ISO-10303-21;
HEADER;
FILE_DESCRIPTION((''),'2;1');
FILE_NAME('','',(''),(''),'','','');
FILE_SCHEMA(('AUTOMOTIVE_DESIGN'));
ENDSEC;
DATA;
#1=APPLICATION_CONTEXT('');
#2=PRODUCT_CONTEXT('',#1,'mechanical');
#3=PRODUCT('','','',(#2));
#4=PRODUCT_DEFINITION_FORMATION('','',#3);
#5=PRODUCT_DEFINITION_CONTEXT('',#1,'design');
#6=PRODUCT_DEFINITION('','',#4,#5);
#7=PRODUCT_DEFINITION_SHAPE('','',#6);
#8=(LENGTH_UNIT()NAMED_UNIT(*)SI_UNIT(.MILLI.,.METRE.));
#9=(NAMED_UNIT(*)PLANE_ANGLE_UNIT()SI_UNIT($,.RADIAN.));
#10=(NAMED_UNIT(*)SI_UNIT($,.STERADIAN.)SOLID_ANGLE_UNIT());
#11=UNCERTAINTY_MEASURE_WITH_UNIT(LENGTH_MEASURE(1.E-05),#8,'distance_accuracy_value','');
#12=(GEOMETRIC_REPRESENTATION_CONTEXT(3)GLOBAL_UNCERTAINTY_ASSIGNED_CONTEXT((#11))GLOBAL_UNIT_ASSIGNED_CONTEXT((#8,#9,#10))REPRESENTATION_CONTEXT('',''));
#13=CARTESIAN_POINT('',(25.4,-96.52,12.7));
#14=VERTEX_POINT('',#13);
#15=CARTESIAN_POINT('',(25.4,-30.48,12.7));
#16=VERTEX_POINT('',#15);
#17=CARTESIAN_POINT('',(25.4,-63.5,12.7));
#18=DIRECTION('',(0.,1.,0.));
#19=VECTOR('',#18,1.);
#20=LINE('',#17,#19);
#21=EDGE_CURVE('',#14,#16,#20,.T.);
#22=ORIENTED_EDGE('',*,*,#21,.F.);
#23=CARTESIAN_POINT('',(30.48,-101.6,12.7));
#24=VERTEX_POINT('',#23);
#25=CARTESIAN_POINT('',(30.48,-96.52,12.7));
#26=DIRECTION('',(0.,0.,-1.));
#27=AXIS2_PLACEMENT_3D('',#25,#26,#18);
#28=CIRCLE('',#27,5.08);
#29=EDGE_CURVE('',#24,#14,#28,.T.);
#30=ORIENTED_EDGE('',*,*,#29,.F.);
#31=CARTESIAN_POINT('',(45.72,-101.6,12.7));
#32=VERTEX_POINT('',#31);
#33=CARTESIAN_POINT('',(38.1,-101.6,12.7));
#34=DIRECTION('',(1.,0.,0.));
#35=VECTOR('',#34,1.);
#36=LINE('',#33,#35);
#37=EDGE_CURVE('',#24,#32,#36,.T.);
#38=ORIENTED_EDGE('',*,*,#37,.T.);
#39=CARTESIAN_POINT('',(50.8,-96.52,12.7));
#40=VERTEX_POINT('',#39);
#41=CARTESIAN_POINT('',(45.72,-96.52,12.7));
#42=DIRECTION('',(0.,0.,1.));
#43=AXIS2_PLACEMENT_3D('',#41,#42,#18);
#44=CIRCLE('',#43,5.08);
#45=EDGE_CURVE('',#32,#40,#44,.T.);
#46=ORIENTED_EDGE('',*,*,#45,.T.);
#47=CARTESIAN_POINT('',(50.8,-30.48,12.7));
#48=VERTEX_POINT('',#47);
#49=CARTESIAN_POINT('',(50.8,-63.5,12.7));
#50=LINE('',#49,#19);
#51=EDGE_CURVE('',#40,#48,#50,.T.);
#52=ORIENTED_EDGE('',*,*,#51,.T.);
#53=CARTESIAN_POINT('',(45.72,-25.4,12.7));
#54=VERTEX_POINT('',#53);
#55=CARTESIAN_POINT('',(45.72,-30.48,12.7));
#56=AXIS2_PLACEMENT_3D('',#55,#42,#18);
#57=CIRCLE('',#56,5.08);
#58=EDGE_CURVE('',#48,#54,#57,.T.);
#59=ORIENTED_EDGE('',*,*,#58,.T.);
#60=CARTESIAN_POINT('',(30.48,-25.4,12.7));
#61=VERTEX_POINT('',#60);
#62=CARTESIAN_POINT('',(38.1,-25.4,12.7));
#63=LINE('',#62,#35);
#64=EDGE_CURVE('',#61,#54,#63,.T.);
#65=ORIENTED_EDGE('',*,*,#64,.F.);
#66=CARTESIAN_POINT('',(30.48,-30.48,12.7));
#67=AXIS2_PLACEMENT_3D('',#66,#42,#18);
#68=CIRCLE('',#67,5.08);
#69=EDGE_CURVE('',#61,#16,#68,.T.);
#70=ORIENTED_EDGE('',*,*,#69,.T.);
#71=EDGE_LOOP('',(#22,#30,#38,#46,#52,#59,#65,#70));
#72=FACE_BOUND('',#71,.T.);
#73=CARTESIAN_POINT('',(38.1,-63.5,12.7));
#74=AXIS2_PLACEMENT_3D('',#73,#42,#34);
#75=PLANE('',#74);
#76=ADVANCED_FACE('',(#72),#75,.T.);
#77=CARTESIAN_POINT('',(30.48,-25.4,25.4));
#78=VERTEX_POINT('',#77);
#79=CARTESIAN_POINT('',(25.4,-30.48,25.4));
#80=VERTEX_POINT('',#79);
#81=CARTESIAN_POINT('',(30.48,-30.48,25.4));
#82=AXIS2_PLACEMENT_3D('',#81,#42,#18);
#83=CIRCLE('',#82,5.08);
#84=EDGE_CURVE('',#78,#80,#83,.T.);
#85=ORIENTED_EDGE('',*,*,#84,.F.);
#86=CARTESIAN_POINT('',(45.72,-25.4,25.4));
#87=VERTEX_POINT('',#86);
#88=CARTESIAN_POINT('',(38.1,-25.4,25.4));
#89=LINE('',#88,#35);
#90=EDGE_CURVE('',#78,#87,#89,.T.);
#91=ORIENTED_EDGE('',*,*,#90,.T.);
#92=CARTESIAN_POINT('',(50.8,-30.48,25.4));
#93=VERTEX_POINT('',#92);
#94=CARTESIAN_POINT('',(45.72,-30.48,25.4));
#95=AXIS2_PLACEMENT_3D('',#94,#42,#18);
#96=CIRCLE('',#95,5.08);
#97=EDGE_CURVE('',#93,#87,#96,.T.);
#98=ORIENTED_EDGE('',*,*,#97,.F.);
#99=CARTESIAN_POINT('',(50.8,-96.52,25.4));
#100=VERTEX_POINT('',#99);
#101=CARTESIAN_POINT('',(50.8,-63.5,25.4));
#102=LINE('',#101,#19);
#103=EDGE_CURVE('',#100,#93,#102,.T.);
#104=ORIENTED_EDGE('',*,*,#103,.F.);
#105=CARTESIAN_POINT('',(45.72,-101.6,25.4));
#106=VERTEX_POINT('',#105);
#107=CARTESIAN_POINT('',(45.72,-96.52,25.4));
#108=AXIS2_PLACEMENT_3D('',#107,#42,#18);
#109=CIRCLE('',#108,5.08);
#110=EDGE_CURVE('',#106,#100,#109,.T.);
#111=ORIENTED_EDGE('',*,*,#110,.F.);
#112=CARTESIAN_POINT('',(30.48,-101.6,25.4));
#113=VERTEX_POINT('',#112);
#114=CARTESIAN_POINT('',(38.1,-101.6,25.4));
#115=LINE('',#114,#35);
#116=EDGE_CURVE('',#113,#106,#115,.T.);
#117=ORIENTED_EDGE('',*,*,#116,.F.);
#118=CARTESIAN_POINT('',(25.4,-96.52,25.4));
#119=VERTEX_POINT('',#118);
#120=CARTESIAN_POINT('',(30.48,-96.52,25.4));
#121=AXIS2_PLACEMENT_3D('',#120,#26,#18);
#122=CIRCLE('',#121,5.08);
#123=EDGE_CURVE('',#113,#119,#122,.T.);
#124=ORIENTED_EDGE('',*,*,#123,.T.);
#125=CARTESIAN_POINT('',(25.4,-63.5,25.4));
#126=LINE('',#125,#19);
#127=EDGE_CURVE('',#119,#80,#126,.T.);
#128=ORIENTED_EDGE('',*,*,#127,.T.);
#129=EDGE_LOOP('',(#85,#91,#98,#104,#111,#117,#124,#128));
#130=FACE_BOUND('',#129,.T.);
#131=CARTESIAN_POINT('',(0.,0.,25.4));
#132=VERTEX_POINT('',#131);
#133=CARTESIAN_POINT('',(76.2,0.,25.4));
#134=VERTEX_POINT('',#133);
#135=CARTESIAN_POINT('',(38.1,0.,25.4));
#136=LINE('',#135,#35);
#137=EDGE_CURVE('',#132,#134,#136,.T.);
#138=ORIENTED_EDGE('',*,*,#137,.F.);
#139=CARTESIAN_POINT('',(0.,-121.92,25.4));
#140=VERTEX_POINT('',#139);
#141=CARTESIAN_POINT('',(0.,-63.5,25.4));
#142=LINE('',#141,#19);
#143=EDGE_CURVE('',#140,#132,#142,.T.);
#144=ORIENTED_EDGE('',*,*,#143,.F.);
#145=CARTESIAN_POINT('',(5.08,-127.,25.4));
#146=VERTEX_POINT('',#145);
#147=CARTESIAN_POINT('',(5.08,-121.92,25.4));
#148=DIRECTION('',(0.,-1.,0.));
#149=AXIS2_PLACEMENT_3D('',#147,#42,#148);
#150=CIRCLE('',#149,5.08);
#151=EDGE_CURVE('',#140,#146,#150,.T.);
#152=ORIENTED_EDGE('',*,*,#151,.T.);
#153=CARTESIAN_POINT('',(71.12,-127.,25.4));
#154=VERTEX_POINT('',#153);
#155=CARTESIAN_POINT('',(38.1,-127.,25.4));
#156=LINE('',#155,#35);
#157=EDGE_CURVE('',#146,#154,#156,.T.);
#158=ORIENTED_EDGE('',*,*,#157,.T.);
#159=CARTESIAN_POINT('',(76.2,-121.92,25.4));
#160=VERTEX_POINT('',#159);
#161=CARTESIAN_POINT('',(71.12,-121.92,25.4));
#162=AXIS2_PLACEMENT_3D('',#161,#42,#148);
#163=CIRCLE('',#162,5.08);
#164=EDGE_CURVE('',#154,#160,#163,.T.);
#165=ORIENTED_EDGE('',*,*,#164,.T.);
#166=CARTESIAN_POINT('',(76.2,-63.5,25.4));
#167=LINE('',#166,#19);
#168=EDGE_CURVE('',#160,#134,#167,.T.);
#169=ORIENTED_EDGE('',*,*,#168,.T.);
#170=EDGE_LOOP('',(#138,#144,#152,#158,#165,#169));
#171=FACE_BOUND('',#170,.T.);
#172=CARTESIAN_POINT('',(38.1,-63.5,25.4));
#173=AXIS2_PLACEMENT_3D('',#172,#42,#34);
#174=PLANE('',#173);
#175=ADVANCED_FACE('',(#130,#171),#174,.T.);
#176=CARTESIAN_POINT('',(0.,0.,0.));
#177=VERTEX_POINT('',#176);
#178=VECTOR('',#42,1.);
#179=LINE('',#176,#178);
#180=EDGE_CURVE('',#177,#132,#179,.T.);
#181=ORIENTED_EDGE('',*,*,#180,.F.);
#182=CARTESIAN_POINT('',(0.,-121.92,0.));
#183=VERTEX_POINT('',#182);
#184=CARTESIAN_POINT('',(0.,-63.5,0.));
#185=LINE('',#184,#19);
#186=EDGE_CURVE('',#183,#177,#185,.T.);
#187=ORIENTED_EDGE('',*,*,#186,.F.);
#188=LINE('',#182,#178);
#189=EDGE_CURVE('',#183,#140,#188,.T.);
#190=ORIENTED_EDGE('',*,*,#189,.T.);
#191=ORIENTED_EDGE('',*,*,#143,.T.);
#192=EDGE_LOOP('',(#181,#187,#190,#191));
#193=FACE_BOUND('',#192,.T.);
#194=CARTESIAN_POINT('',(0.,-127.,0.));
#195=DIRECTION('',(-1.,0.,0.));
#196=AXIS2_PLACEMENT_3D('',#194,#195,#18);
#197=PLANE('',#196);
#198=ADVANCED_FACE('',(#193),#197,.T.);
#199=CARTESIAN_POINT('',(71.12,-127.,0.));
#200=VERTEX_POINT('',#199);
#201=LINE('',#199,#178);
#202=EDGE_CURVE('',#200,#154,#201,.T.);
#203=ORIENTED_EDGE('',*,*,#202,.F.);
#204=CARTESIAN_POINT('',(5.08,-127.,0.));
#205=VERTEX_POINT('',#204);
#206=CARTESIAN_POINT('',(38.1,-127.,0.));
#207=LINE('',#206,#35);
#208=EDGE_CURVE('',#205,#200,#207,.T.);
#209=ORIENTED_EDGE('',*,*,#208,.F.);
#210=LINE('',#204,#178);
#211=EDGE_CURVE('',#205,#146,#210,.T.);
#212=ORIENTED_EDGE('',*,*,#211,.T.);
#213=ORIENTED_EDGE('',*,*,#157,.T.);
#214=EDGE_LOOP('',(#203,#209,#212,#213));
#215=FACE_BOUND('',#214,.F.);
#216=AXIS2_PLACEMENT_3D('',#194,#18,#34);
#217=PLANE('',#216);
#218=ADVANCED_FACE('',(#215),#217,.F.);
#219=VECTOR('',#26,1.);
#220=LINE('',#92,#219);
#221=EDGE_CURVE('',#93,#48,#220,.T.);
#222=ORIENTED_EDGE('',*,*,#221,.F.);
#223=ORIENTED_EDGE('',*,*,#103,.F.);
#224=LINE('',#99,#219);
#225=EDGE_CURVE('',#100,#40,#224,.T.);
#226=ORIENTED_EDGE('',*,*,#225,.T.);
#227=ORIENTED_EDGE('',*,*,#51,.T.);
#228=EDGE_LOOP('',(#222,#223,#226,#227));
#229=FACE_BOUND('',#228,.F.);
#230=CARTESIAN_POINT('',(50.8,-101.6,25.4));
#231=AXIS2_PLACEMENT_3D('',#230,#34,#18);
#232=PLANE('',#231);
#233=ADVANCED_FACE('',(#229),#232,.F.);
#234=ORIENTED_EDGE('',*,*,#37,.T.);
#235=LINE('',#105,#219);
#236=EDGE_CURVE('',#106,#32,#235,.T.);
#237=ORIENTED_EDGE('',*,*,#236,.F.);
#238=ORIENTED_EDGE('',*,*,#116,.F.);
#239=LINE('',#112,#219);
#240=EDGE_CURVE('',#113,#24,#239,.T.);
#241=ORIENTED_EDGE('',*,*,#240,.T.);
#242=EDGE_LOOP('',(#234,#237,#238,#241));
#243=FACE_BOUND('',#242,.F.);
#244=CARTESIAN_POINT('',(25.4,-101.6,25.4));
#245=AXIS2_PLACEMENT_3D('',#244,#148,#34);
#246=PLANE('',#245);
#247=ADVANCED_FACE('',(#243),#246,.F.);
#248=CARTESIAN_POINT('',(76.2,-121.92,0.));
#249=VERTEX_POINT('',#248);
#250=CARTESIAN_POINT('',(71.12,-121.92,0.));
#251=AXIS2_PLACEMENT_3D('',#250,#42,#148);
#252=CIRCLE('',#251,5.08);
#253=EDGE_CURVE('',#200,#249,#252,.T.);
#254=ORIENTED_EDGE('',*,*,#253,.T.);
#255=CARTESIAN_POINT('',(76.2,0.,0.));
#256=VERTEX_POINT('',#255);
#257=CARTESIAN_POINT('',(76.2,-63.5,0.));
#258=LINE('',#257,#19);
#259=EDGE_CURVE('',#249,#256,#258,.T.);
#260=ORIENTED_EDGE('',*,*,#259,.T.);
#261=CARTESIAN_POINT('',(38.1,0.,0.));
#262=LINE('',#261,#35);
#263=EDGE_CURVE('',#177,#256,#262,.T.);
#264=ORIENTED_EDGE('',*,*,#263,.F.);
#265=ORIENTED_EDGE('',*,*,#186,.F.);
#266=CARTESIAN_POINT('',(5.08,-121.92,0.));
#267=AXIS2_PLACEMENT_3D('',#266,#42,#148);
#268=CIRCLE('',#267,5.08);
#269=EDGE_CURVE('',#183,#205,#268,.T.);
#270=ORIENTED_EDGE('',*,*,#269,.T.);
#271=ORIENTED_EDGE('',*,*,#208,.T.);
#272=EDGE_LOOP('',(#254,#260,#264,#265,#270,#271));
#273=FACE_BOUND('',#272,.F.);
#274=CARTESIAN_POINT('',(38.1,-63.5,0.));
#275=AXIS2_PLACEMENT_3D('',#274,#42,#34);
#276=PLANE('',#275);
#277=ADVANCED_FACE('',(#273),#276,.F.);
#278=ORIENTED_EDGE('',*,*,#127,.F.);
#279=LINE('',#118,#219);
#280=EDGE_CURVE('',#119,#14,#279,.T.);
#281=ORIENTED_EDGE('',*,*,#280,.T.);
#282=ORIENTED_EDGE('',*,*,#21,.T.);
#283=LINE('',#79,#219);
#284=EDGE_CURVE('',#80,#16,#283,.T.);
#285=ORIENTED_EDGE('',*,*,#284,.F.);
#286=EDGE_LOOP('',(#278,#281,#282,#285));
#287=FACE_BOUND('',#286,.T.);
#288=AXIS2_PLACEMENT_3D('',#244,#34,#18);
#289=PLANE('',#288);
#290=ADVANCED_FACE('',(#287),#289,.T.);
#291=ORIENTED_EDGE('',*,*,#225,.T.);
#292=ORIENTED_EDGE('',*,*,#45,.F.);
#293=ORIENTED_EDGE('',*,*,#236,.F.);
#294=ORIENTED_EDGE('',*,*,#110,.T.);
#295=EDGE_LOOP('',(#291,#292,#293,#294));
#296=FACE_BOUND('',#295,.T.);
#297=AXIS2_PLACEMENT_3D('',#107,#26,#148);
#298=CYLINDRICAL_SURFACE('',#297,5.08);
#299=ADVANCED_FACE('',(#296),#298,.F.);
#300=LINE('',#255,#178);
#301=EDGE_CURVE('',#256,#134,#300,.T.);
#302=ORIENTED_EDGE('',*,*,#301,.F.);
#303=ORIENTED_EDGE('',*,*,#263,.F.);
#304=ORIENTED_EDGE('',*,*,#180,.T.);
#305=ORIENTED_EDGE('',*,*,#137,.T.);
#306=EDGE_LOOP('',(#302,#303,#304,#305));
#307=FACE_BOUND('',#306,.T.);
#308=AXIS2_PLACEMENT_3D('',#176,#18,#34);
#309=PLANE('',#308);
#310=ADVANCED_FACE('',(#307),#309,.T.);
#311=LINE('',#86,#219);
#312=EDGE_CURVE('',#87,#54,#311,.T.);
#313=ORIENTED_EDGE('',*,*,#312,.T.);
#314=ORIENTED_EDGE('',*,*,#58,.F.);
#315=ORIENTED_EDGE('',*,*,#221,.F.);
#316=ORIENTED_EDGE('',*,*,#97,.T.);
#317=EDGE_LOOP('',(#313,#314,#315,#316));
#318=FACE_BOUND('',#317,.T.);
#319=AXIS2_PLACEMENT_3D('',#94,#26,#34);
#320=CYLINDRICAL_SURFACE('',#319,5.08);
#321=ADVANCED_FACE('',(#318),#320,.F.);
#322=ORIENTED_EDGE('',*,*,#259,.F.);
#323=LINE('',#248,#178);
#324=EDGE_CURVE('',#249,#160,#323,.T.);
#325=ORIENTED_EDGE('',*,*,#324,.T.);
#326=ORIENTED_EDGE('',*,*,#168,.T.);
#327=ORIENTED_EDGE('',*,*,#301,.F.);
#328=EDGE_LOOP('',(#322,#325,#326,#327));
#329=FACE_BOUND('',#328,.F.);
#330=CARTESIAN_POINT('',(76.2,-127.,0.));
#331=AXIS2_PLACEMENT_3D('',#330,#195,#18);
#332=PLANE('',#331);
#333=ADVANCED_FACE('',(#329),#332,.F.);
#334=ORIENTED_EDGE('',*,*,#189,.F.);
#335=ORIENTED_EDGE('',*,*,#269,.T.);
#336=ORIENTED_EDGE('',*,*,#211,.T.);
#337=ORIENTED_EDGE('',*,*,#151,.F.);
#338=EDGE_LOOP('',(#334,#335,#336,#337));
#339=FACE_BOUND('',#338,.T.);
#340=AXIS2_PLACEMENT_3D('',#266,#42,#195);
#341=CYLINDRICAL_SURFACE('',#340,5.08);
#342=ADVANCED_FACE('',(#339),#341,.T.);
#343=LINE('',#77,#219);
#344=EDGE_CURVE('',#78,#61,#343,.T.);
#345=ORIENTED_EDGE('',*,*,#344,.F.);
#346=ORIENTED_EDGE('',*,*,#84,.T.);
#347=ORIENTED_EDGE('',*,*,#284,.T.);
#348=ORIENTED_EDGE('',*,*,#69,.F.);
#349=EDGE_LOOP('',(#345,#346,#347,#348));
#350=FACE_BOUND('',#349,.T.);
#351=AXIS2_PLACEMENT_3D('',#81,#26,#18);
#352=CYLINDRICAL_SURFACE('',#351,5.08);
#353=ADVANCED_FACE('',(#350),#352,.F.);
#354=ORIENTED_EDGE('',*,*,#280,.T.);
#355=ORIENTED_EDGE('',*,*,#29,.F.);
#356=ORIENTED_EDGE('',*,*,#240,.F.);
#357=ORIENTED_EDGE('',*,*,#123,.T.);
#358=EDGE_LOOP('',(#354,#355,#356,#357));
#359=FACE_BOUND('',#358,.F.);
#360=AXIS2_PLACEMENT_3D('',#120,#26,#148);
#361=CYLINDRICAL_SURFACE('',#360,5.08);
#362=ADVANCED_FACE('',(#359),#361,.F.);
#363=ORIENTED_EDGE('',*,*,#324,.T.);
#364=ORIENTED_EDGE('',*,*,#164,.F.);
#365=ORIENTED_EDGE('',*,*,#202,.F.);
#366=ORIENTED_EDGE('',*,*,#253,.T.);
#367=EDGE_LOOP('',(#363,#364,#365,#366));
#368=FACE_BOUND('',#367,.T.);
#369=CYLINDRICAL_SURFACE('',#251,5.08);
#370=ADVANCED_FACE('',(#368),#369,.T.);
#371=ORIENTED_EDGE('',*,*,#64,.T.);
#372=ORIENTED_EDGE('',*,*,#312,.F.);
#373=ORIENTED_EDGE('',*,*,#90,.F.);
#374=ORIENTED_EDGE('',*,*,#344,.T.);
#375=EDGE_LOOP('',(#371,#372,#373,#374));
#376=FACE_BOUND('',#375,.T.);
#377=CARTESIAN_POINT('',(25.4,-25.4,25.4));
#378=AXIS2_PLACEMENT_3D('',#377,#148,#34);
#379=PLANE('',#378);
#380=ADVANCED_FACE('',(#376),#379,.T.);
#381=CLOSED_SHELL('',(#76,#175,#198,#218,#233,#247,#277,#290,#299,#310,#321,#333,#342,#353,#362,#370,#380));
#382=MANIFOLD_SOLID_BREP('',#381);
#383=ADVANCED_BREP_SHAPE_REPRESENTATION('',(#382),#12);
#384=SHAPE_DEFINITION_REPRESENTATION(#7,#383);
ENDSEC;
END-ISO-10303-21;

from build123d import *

# Parameters (mm, degrees)
F0_W     = 76.2
F0_H     = 127
F1_DEPTH = 25.4
F2_R     = 5.08
F3_W     = 25.4
F3_H     = 76.2
F4_DEPTH = 12.7
F5_R     = 5.08


with BuildPart() as f1:
    # F0 (on Top) → F1 (new body)
    with BuildSketch(Plane.XY):
        with Locations((38.1, -63.5)):
            Rectangle(F0_W, F0_H)
    extrude(amount=F1_DEPTH)

    # F2
    f2_edges = [f1.edges().sort_by_distance(p)[0] for p in [
        (0, -127, 12.7),
        (76.2, -127, 12.7),
    ]]
    fillet(f2_edges, radius=F2_R)

    # F3 (on face) → F4 (cut)
    with BuildSketch(Plane.XY.offset(25.4)):
        with Locations((38.1, -63.5)):
            Rectangle(F3_W, F3_H)
    extrude(amount=-F4_DEPTH, mode=Mode.SUBTRACT)

    # F5
    f5_edges = [f1.edges().sort_by_distance(p)[0] for p in [
        (50.8, -25.4, 19.05),
        (25.4, -25.4, 19.05),
        (50.8, -101.6, 19.05),
        (25.4, -101.6, 19.05),
    ]]
    fillet(f5_edges, radius=F5_R)


solid = f1.part
